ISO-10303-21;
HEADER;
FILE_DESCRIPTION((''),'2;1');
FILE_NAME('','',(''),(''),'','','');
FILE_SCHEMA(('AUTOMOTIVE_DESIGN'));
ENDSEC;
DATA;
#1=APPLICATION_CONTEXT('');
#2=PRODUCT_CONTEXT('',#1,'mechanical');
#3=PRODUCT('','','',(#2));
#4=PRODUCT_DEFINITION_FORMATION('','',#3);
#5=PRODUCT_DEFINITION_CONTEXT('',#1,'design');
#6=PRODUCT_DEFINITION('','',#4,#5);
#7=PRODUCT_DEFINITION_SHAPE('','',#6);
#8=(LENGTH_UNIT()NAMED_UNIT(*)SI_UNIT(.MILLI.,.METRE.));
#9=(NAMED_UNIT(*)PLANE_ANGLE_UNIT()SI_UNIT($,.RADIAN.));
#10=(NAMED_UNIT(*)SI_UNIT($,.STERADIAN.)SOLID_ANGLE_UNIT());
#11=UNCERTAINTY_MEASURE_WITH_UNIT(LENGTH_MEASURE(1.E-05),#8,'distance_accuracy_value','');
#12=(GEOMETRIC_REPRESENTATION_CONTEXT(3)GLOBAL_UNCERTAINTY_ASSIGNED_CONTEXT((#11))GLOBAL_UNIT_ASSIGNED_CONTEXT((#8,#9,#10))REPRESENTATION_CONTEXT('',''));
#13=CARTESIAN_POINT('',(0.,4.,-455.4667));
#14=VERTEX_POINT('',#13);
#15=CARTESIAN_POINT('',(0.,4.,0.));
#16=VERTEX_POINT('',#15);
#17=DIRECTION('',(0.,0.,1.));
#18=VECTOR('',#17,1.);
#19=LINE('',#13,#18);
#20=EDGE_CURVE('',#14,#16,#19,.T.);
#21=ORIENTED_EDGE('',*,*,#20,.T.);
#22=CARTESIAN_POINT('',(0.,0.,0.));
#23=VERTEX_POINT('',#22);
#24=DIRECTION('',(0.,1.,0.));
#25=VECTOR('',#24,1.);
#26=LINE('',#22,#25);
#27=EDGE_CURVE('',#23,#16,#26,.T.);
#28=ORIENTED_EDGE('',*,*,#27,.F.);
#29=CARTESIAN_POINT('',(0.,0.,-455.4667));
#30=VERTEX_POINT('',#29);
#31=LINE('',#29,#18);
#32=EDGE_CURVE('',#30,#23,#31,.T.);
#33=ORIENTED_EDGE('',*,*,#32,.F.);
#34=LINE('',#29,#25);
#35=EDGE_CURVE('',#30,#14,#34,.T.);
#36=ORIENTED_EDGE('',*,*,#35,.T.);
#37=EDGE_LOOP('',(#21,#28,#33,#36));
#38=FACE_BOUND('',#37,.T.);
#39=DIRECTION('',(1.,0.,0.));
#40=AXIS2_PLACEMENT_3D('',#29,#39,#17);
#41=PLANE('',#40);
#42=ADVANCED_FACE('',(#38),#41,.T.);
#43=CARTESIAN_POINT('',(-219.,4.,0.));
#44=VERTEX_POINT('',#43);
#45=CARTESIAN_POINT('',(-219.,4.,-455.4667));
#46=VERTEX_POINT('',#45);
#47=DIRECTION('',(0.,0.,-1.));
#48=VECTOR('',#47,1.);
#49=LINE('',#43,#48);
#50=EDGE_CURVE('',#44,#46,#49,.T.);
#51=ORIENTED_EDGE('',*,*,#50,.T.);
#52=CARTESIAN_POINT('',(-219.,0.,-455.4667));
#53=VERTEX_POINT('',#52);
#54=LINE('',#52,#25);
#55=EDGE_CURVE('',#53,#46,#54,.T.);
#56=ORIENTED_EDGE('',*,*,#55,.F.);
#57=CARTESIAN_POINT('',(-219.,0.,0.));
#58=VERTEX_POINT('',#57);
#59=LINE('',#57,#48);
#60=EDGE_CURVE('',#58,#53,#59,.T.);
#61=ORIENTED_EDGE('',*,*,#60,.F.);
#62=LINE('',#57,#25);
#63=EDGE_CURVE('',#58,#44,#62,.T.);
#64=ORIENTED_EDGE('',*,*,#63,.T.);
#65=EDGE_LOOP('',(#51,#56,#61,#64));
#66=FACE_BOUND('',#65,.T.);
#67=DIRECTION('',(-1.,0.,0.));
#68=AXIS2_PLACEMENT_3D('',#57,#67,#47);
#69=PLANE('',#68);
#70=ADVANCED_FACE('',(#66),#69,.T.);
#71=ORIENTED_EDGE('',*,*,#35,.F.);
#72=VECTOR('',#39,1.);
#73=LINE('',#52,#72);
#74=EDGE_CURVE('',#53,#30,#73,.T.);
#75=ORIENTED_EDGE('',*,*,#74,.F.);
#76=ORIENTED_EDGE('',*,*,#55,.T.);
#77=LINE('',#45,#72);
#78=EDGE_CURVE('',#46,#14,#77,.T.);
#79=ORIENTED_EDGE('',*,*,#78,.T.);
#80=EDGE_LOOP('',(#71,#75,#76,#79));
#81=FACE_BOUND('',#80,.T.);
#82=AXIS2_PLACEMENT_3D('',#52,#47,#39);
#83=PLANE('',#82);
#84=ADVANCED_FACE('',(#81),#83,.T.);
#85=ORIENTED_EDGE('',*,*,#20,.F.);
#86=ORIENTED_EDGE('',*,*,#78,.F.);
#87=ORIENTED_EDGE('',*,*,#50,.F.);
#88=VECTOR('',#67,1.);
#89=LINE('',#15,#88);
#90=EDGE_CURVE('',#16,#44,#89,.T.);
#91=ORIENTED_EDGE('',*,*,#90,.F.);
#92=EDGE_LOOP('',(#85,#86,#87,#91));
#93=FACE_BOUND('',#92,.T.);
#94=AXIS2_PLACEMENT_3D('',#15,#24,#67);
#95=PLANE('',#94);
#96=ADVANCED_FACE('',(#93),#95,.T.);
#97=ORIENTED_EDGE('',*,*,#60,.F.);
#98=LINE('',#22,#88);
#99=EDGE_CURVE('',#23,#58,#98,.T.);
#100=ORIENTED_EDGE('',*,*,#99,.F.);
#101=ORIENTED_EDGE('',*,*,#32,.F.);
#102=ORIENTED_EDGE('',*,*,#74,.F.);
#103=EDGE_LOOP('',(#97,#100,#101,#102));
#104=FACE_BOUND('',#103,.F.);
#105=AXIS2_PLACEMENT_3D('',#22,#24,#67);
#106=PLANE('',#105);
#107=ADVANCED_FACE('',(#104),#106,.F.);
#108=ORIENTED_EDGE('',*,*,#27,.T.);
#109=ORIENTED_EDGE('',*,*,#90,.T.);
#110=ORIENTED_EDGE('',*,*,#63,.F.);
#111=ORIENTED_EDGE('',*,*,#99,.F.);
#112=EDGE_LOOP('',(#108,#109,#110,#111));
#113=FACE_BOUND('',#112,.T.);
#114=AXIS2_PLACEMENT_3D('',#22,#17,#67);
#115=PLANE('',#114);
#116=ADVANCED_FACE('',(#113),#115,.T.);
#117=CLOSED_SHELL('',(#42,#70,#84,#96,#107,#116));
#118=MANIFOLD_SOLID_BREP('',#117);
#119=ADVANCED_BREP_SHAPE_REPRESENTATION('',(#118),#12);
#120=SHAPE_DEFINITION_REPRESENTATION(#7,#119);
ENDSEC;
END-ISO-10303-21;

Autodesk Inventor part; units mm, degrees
ref_plane "YZ Plane" through (0, 0, 0) normal (1, 0, 0) x (0, 1, 0)
ref_plane "XZ Plane" through (0, 0, 0) normal (0, 1, 0) x (-1, 0, 0)
ref_plane "XY Plane" through (0, 0, 0) normal (0, 0, 1) x (1, 0, 0)
sketch "スケッチ1" plane through (0, 0, 0) normal (0, 1, 0) x (-1, 0, 0)
  line L0 (0, 0) -> (219, 0)
  line L1 (219, 0) -> (219, -455.4667)
  line L2 (219, -455.4667) -> (0, -455.4667)
  line L3 (0, -455.4667) -> (0, 0)
  dimension "d0" = 455.4667
  dimension "d1" = 219
extrude "押し出し1" add sketch "スケッチ1" along normal blind 4
properties part number "泥除け4"
